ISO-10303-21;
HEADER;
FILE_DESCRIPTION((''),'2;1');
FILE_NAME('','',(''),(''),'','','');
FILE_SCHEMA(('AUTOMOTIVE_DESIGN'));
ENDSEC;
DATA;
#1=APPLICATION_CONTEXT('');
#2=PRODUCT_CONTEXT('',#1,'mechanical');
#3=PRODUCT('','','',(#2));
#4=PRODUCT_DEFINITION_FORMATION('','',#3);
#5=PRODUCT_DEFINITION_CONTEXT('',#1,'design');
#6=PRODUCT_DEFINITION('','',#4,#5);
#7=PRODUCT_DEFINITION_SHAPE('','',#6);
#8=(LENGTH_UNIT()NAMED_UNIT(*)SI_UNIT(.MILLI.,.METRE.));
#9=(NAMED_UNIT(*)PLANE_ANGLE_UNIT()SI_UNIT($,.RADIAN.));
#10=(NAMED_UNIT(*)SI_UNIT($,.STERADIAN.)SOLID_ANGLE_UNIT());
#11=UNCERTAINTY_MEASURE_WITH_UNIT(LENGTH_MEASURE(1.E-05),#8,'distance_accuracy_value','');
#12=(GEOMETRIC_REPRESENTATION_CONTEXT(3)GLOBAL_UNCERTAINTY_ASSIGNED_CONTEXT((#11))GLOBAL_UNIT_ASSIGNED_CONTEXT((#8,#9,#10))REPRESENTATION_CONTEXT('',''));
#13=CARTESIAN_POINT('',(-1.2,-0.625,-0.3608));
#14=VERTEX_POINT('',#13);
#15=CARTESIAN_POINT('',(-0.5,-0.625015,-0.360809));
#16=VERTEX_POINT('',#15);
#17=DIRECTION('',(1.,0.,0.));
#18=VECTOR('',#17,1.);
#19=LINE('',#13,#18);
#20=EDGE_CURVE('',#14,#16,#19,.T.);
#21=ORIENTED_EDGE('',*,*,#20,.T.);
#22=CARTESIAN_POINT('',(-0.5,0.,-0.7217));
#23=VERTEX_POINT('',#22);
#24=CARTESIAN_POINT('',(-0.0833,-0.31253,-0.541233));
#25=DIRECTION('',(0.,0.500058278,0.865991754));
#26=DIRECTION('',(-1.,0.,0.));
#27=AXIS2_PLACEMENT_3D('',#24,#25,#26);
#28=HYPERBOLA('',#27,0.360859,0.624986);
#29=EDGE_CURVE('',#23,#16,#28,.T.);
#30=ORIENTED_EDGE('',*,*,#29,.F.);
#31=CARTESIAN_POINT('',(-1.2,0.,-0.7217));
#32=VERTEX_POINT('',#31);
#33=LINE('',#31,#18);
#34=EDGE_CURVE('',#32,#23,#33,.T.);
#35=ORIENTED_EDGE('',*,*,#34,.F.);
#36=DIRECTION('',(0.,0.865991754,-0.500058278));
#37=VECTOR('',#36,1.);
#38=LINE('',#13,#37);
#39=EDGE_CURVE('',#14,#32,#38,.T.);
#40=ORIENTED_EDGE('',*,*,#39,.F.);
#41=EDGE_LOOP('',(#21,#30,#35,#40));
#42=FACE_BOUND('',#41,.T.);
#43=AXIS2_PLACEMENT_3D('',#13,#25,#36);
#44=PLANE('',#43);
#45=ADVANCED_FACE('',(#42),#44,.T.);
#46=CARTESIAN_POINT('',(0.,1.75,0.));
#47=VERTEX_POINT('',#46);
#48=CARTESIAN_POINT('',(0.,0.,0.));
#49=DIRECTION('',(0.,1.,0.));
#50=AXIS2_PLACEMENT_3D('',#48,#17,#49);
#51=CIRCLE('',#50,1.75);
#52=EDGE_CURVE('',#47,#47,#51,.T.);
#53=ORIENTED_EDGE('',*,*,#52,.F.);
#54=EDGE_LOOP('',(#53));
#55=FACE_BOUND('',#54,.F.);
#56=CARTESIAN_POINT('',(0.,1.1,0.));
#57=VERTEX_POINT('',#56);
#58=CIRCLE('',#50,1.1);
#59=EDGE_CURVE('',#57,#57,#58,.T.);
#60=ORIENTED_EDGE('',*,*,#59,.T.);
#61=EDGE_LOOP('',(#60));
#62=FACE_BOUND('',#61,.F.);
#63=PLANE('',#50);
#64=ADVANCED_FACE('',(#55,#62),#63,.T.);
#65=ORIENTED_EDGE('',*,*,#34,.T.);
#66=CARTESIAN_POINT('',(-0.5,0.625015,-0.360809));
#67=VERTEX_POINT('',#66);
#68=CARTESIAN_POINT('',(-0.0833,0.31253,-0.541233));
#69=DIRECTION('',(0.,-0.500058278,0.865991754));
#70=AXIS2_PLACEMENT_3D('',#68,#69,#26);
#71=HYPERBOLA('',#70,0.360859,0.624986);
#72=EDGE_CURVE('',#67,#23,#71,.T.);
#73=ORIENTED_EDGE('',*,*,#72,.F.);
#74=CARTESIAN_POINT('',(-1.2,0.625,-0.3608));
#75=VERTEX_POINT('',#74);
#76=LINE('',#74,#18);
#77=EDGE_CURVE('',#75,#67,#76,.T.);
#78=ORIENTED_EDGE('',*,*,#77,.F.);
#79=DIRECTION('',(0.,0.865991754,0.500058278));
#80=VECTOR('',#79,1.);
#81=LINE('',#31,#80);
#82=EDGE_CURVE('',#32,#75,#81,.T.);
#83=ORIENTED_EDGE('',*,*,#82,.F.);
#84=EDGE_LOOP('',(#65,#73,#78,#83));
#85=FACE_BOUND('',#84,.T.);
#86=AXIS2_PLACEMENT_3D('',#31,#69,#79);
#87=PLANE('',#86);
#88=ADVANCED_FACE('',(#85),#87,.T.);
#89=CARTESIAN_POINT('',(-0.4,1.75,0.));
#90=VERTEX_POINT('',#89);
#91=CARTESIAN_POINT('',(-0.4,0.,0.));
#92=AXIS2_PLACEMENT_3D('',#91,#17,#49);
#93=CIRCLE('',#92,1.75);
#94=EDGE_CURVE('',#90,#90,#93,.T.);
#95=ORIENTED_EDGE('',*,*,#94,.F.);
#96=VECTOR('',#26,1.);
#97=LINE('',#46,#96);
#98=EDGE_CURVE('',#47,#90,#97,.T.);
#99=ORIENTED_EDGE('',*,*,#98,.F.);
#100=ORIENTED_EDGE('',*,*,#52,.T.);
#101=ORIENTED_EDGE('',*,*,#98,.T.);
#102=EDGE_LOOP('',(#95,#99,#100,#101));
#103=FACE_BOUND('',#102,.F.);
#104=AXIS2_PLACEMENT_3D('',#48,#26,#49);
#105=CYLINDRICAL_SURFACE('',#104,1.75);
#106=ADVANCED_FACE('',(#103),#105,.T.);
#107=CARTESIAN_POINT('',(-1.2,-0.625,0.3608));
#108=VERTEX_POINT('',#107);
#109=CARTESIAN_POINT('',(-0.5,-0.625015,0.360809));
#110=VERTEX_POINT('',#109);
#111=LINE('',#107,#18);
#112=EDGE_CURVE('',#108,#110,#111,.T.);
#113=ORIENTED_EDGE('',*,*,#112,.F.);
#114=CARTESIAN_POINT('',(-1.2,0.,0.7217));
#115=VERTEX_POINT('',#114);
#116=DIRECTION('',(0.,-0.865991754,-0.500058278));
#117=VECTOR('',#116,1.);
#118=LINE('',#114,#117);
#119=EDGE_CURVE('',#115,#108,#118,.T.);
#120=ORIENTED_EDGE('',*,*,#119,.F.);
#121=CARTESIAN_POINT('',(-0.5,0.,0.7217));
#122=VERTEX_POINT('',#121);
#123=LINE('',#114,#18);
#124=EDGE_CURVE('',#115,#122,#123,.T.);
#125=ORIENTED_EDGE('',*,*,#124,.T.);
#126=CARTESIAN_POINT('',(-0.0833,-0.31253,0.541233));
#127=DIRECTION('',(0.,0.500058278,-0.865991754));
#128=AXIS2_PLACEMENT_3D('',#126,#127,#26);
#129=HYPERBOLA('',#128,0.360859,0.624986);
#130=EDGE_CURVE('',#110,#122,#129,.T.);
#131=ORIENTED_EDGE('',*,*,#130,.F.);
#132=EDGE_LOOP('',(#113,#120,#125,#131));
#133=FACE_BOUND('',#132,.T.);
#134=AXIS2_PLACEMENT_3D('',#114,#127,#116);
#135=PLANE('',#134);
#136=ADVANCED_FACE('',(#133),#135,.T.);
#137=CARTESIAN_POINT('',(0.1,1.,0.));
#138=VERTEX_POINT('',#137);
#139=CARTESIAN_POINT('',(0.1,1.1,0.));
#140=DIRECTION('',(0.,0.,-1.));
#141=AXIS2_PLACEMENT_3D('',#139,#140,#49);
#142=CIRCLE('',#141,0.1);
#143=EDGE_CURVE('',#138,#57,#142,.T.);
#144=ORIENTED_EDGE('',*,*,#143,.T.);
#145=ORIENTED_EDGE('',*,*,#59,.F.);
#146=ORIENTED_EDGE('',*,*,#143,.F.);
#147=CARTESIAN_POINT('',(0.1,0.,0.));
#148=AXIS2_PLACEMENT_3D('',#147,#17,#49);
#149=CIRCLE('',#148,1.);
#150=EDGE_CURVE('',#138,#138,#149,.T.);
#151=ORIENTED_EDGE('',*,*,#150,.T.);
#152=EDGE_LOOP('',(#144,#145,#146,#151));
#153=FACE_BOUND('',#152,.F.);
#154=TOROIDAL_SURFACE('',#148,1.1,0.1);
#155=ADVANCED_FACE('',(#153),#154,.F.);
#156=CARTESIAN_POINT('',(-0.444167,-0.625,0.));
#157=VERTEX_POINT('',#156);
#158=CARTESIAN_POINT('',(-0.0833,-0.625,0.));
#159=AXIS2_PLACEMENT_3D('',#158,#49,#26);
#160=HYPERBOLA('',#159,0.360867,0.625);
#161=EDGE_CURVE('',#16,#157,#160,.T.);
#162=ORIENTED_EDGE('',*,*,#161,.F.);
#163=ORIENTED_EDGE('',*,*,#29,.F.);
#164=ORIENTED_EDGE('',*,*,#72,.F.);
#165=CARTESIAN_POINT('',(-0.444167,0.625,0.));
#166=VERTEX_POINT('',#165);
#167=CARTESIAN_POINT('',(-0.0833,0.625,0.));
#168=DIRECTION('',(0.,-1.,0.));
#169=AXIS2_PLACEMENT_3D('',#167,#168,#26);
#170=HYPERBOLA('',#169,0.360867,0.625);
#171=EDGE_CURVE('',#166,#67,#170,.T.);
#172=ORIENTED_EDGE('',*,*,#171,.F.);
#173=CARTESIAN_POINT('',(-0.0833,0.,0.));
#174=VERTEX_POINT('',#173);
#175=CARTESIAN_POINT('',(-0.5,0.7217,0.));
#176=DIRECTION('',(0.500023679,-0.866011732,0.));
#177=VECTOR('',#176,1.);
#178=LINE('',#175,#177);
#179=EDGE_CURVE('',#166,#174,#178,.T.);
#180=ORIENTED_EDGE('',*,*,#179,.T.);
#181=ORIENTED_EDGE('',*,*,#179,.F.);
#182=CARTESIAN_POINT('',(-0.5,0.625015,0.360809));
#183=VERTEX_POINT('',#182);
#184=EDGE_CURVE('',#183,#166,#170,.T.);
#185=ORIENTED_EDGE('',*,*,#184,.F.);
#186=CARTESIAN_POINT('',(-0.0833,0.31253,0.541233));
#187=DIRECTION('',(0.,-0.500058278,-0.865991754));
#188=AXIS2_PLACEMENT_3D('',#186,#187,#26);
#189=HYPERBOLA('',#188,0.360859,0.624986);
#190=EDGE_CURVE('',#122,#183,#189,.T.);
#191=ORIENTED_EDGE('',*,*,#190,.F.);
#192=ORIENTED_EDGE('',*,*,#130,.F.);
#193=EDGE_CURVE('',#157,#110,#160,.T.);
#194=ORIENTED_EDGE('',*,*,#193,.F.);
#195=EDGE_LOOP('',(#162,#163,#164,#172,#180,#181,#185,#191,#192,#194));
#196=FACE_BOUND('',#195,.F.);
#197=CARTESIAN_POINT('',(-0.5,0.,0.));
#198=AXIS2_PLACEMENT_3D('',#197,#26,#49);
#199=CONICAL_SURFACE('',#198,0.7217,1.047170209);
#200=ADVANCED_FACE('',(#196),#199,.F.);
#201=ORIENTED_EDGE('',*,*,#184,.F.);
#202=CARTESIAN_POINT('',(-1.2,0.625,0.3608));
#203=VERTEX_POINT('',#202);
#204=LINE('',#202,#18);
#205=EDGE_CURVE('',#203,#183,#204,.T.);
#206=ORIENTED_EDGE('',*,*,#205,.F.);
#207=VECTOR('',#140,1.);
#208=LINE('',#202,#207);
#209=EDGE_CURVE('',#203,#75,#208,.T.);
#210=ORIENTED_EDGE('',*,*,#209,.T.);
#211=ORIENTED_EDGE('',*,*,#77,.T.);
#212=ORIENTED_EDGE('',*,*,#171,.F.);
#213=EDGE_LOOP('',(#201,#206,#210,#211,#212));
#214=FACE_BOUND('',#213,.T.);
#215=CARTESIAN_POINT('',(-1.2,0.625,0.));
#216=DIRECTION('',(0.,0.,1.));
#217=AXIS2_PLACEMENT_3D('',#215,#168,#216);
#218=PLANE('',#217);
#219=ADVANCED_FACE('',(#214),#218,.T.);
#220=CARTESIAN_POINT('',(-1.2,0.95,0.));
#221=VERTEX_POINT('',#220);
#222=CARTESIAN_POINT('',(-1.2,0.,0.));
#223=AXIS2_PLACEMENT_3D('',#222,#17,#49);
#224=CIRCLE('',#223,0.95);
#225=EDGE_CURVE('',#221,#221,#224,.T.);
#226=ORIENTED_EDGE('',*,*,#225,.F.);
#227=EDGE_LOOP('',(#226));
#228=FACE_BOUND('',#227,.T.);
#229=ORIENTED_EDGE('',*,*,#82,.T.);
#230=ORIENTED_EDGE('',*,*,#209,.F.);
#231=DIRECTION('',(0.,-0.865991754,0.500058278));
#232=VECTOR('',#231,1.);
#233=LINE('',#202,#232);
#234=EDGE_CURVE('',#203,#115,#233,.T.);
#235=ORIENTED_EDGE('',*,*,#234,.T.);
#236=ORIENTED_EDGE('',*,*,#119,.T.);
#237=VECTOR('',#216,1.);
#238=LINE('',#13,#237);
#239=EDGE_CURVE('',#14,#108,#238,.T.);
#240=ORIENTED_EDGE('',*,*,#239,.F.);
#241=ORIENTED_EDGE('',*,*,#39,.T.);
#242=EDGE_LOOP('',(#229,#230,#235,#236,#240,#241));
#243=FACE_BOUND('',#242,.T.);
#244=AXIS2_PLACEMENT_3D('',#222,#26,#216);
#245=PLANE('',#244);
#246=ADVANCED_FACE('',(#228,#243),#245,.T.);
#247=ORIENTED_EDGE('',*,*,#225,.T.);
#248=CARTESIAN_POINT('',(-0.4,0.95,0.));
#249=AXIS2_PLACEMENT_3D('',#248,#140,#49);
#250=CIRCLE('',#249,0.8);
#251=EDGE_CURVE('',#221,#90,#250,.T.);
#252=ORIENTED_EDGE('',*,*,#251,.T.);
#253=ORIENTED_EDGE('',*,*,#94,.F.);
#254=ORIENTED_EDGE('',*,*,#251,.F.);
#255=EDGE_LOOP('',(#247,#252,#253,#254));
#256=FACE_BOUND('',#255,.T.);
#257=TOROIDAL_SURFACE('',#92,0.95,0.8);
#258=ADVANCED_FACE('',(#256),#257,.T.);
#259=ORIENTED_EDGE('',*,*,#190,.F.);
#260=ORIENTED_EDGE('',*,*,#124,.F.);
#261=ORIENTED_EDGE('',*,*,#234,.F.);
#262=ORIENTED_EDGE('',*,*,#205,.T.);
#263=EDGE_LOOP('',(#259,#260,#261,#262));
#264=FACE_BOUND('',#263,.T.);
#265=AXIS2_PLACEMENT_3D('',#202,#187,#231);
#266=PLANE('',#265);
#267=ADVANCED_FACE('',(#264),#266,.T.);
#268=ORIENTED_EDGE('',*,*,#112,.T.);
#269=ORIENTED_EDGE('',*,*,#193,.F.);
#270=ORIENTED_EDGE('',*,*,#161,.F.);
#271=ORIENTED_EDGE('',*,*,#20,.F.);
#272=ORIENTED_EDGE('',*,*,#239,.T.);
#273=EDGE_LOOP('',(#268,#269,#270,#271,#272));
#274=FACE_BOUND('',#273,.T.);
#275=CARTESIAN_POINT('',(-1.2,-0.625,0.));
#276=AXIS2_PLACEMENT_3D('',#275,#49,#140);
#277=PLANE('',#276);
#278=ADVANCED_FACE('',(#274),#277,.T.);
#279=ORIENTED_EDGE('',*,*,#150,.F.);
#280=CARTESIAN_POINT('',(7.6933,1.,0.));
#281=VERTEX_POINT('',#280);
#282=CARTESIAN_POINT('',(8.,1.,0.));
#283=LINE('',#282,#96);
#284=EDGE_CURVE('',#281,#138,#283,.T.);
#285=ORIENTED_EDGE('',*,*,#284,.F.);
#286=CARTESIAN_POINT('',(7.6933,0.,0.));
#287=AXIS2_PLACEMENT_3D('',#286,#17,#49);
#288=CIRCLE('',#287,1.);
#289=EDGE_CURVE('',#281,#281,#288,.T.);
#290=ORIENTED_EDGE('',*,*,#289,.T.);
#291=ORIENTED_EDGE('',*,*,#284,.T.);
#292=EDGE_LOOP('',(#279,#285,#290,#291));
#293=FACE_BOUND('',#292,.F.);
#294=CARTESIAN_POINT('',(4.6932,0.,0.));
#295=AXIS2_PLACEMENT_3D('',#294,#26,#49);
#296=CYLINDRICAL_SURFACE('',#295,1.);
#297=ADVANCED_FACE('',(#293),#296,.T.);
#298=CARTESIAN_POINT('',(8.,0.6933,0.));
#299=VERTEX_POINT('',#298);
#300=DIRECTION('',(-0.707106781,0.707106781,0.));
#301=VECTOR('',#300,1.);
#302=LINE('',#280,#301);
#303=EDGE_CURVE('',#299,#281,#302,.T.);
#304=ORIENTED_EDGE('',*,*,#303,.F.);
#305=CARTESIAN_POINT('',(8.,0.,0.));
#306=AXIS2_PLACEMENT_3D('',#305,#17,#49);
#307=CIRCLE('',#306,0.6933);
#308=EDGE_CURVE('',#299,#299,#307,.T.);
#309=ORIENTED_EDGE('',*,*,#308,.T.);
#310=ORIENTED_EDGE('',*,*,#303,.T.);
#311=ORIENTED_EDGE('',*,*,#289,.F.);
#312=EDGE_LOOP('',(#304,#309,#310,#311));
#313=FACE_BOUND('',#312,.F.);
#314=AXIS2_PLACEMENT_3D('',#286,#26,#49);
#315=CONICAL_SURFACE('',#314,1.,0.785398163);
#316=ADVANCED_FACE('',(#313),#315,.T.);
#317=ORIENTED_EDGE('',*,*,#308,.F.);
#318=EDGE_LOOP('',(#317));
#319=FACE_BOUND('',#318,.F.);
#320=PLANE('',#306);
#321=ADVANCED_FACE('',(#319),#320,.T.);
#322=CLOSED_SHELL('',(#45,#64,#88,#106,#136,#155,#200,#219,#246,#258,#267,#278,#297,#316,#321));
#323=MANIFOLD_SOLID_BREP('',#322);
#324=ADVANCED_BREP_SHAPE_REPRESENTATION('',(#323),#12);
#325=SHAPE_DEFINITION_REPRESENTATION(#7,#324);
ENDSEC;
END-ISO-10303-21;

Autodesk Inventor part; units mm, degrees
ref_plane "YZ Plane" through (0, 0, 0) normal (1, 0, 0) x (0, 1, 0)
ref_plane "XZ Plane" through (0, 0, 0) normal (0, 1, 0) x (-1, 0, 0)
sketch "Sketch1" plane through (0, 0, 0) normal (0, 0, 1) x (1, 0, 0)
  line L0 (-0.0833, 0) -> (8, 0)
  line L1 (8, 0) -> (8, 1)
  line L2 (8, 1) -> (5, 1)
  line L3 (5, 1) -> (4.6932, 1)
  line L4 (4.6932, 1) -> (0, 1)
  line L5 (0, 1) -> (0, 1.75)
  line L6 (0, 1.75) -> (-1.2, 1.75)
  line L7 (-1.2, 1.75) -> (-1.2, 0.7217)
  line L8 (-1.2, 0.7217) -> (-0.5, 0.7217)
  line L9 (-0.5, 0.7217) -> (-0.0833, 0)
  line L10 (-3.04, 0) -> (9.84, 0) projected
  line L11 (0, -0.35) -> (0, 2.1) projected
  line L12 (5, 1) -> (0, 1) construction
  dimension "d1" = 3
  dimension "d2" = 0.3068
  dimension "d3" = 1.2
  dimension "d4" = 0.7
  dimension "d5" = 60
  dimension "d6" = 2
  dimension "d7" = 2
  dimension "d8" = 1.4434
  dimension "d9" = 3.5
  dimension "d26" = 8
revolve "Body" add sketch "Sketch1" angle 360 about axis through (-0.0833, 0, 0) along (1, 0, 0)
sketch "Sketch2" plane through (-1.2, 0, 0) normal (-1, 0, 0) x (0, 0, 1)
  circle A0 centre (0, 0) radius 0.7217 projected
  line L0 (0, -2.45) -> (0, 2.45) projected
  line L1 (-2.45, 0) -> (2.45, 0) projected
  line L2 (0.7217, 0) -> (0.3608, -0.625)
  line L3 (0.3608, -0.625) -> (-0.3608, -0.625)
  line L4 (-0.3608, -0.625) -> (-0.7217, 0)
  line L5 (-0.7217, 0) -> (-0.3608, 0.625)
  line L6 (-0.3608, 0.625) -> (0.3608, 0.625)
  line L7 (0.3608, 0.625) -> (0.7217, 0)
extrude "Slot" add sketch "Sketch2" against normal up to next contours L7 A0 | A0 L2 | L6 L0 A0 | A0 L0 L3 | L0 L6 A0 | A0 L3 L0 | L4 A0 | A0 L5
fillet "Fillet1" radius 0.8 1 edges at (-1.2, -1.75, 0)
chamfer "Chamfer1" distance 0.3067 distance2 0.3067 1 edges at (8, -1, 0) measured on face at (8, -0.479, -0.3842)
ref_plane "Work Plane1" through (29, 0, 0) normal (0, -1, 0) x (1, 0, 0)
fillet "Fillet2" radius 0.1 1 edges at (0, -1, 0)
thread "Thread2" size "M2x0.4" class "6g" standard "ANSI Metric M Profile" full length
equation "\"d15\" = -0.5 * SPD + 0.5 * GD"
equation "\"d16\" = GUL"
equation "\"GD\" = NND"
equation "\"NLG\" = 6"
equation "\"GEL\" = 4.5"
equation "\"KOD\" = 5.7"
equation "\"KOH\" = 1.65"
equation "\"INTI\" = 1.04"
equation "\"GAL\" = 0.61345 * PTC"
equation "\"GUL\" = 0.61345 * PTC"
equation "\"BDM\" = NND"
equation "\"SW\" = 2"
equation "\"RR\" = 1.45"
equation "\"SPD\" = NND - 1.2269 * PTC"
equation "\"R\" = 0.3"
equation "\"TOA\" = 30deg"
equation "\"GD1\" = THREADDIA - 1.2269 * PTC"
equation "\"THREADDIA\" = 3"
equation "\"PTC\" = 0.5"
equation "\"NND\" = 3"
equation "\"KOH1\" = 0.2"
equation "\"E0\" = 2.303"
properties part number "M2x8 Bolt" material "Stainless Steel"
